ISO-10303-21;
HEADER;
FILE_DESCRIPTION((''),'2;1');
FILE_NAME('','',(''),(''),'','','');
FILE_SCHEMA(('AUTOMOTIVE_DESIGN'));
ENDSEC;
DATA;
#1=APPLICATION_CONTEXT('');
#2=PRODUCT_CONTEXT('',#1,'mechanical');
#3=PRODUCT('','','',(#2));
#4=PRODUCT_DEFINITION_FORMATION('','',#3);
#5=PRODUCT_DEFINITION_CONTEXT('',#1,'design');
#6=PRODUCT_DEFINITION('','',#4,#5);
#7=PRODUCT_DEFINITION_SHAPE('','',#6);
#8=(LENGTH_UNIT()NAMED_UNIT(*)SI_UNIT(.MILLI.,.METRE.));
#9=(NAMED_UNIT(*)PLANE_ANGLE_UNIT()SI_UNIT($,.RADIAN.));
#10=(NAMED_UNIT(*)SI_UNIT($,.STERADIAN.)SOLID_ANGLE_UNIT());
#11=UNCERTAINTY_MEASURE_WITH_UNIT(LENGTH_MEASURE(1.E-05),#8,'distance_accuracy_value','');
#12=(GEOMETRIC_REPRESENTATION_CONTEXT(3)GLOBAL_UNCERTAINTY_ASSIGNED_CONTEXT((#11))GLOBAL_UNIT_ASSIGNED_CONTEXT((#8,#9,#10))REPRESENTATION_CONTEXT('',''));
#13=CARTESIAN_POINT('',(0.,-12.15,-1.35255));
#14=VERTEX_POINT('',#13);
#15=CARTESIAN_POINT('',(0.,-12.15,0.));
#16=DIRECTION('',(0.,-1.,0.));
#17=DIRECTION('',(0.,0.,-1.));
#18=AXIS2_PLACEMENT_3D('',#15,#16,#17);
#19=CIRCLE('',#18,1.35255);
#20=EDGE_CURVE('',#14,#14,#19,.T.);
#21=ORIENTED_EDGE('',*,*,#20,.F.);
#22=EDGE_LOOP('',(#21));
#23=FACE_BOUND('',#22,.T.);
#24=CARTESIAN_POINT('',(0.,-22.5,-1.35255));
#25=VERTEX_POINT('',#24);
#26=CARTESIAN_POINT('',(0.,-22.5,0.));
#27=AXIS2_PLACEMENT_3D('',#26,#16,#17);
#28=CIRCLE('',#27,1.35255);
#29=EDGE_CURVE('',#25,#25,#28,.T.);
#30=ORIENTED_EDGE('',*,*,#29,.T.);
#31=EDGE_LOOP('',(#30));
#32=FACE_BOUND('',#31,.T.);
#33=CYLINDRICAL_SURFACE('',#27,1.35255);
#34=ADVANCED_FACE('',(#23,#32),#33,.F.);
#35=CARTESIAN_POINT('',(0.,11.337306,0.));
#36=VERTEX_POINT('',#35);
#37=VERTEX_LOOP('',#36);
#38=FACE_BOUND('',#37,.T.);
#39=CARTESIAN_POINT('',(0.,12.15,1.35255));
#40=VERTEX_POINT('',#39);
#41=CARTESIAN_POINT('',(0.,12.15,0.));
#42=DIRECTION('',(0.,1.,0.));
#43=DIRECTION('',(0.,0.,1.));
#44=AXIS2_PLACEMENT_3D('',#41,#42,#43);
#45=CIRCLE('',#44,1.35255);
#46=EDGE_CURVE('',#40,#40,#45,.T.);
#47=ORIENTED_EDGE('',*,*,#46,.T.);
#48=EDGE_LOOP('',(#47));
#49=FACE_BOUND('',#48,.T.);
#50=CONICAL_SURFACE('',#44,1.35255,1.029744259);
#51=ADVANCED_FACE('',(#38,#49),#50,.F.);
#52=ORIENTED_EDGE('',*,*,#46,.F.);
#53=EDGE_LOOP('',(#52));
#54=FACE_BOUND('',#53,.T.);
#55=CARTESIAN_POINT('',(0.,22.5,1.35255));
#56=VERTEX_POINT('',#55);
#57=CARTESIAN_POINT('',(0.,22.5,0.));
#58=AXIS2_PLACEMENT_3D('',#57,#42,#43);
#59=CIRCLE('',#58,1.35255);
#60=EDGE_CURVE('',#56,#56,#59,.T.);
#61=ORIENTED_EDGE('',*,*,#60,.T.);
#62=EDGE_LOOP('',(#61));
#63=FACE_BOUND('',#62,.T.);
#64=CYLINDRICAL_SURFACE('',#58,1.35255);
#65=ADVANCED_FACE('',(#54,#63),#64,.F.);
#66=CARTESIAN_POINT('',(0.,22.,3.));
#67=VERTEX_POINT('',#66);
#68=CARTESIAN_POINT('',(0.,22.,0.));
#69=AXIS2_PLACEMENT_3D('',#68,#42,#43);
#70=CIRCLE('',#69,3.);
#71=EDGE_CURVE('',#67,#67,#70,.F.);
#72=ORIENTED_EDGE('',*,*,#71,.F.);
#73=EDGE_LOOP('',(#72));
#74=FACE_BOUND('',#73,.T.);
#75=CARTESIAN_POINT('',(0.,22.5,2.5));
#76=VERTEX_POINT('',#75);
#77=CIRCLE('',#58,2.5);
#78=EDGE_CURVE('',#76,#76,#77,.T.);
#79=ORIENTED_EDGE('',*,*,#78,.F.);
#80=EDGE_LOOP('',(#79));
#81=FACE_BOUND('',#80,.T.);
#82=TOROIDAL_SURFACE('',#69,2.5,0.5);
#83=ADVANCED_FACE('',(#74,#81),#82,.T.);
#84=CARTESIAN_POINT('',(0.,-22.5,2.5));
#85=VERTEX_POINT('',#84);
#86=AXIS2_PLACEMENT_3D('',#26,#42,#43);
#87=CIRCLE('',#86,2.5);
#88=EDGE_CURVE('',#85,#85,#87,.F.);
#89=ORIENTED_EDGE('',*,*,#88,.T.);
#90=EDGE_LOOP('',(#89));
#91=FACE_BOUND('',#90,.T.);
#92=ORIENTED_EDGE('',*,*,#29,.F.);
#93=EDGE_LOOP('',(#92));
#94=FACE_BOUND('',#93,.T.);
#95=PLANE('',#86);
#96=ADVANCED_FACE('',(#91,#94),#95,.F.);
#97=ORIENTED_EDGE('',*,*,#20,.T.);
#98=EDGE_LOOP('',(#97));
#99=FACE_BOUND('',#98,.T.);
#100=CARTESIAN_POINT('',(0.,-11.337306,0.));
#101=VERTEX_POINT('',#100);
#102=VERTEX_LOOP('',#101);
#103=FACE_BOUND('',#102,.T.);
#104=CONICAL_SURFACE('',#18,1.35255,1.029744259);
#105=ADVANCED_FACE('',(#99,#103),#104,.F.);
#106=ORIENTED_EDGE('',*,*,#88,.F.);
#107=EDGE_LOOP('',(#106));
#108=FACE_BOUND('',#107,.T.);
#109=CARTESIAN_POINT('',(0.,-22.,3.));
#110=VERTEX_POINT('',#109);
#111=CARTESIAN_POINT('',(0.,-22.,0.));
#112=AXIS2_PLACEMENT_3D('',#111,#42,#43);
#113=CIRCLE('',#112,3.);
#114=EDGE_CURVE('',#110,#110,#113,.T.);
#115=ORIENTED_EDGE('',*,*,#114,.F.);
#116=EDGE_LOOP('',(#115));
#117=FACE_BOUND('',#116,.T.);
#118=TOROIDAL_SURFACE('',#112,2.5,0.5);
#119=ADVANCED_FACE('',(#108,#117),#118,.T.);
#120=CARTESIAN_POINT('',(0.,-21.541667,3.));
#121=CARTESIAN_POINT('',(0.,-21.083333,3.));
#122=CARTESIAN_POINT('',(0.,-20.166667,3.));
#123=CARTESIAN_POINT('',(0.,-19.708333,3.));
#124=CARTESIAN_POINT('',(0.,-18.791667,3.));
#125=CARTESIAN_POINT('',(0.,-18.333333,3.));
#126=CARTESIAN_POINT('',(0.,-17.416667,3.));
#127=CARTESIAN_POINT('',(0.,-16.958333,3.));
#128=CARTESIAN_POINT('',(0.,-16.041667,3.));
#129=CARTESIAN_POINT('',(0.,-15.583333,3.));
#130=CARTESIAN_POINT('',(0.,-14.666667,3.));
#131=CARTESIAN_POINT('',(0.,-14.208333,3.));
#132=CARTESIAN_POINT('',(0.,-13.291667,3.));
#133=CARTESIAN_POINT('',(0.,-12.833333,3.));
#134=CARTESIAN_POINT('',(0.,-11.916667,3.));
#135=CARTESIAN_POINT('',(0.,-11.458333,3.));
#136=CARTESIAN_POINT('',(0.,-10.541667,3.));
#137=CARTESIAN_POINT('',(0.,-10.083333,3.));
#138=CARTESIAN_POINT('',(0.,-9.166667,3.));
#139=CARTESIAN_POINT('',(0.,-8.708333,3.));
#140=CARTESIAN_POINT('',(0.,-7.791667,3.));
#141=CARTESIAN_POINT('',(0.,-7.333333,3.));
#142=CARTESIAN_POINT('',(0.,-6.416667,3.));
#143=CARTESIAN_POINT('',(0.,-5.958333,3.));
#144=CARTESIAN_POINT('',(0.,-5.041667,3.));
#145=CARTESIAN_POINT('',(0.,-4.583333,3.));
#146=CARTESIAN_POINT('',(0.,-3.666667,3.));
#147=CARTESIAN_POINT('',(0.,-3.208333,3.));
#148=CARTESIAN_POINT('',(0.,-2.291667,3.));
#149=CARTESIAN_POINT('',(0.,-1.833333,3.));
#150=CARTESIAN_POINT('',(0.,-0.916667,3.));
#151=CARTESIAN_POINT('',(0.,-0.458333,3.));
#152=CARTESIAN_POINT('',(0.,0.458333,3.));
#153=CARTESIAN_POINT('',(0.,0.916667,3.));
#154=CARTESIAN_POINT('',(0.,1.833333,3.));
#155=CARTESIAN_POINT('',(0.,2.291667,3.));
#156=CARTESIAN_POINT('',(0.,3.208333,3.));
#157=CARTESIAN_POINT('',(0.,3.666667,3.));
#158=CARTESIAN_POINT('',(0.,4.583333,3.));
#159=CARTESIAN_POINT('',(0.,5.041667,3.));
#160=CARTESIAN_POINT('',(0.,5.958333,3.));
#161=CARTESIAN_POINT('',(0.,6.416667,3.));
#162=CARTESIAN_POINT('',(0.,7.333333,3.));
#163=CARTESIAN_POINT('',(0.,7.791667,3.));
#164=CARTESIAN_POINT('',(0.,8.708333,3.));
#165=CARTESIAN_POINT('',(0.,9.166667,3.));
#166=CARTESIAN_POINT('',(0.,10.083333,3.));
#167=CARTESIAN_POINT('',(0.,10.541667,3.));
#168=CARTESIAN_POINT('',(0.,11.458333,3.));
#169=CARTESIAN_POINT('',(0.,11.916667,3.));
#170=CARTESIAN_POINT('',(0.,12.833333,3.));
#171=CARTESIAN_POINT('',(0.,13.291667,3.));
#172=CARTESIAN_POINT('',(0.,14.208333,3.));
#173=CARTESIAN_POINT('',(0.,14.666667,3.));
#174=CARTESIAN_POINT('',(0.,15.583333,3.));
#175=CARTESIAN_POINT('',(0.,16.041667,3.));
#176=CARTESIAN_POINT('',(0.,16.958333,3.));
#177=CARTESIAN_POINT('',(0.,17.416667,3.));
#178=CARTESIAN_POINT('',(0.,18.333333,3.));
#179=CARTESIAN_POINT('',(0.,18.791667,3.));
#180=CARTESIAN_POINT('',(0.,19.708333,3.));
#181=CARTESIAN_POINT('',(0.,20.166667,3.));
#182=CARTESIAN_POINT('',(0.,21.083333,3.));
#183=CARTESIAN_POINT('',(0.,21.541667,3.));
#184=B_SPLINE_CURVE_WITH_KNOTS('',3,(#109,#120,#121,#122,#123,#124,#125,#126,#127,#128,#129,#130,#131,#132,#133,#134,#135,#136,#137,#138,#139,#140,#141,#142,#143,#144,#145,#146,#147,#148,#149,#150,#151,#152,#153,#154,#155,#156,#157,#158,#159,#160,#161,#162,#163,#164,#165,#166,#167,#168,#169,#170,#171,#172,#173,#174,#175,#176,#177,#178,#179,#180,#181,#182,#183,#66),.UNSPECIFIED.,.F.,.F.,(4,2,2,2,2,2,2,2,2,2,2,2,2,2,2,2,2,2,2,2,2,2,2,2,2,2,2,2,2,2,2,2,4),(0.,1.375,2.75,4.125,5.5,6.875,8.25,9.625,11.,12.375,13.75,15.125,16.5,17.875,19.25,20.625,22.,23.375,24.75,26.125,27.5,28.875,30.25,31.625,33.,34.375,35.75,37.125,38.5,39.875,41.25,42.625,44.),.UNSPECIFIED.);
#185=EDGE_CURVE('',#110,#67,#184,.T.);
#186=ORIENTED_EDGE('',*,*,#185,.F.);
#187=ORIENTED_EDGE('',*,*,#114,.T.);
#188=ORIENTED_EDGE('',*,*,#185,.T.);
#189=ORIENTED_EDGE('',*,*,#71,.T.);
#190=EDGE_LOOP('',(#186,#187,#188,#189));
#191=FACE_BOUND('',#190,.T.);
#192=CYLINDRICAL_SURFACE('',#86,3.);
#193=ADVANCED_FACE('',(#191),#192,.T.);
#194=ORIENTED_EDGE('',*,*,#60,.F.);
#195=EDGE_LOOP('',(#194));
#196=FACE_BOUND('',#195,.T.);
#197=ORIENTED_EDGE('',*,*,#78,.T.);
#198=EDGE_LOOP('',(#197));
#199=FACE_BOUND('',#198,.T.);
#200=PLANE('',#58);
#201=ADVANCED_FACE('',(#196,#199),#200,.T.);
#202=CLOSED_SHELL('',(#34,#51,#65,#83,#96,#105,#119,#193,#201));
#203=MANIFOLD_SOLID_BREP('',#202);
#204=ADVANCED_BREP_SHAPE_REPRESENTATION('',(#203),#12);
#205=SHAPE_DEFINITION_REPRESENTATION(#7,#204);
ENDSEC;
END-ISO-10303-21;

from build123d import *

# Parameters (mm, degrees)
BOSS_EXTRUDE1_DEPTH       = 22.5
BOSS_EXTRUDE1_DEPTH_BACK  = 22.5
SKETCH1_R                 = 3
F_6_32_TAPPED_HOLE1_D     = 2.7051
F_6_32_TAPPED_HOLE1_DEPTH = 10.35
F_6_32_TAPPED_HOLE1_TIP   = 0.81269403
FILLET1_R                 = 0.5
F_6_32_TAPPED_HOLE2_D     = 2.7051
F_6_32_TAPPED_HOLE2_DEPTH = 10.35
F_6_32_TAPPED_HOLE2_TIP   = 0.81269403


with BuildPart() as part:
    # Sketch1 → Boss-Extrude1 (new, two sides: drawn at the far end of the back side and taken through both)
    with BuildSketch(Plane(origin=(0, 0, 0), x_dir=(1, 0, 0), z_dir=(0, 1, 0)).offset(-BOSS_EXTRUDE1_DEPTH_BACK)):
        Circle(SKETCH1_R)
    extrude(amount=BOSS_EXTRUDE1_DEPTH + BOSS_EXTRUDE1_DEPTH_BACK)

    # #6-32 Tapped Hole1
    with Locations(Plane(origin=(0, 22.5, 0), x_dir=(1, 0, 0), z_dir=(0, 1, 0))):
        with Locations((0, 0)):
            Hole(F_6_32_TAPPED_HOLE1_D / 2, depth=F_6_32_TAPPED_HOLE1_DEPTH)
            with Locations((0, 0, -(F_6_32_TAPPED_HOLE1_DEPTH + F_6_32_TAPPED_HOLE1_TIP / 2))):  # 118° drill point
                Cone(0, F_6_32_TAPPED_HOLE1_D / 2, F_6_32_TAPPED_HOLE1_TIP, mode=Mode.SUBTRACT)

    # Fillet1
    fillet1_edges = [part.edges().sort_by_distance(p)[0] for p in [
        (-3, 22.5, 0),
        (-3, -22.5, 0),
    ]]
    fillet(fillet1_edges, radius=FILLET1_R)

    # #6-32 Tapped Hole2
    with Locations(Plane(origin=(0, -22.5, 0), x_dir=(-1, 0, 0), z_dir=(0, -1, 0))):
        with Locations((0, 0)):
            Hole(F_6_32_TAPPED_HOLE2_D / 2, depth=F_6_32_TAPPED_HOLE2_DEPTH)
            with Locations((0, 0, -(F_6_32_TAPPED_HOLE2_DEPTH + F_6_32_TAPPED_HOLE2_TIP / 2))):  # 118° drill point
                Cone(0, F_6_32_TAPPED_HOLE2_D / 2, F_6_32_TAPPED_HOLE2_TIP, mode=Mode.SUBTRACT)


solid = part.part
